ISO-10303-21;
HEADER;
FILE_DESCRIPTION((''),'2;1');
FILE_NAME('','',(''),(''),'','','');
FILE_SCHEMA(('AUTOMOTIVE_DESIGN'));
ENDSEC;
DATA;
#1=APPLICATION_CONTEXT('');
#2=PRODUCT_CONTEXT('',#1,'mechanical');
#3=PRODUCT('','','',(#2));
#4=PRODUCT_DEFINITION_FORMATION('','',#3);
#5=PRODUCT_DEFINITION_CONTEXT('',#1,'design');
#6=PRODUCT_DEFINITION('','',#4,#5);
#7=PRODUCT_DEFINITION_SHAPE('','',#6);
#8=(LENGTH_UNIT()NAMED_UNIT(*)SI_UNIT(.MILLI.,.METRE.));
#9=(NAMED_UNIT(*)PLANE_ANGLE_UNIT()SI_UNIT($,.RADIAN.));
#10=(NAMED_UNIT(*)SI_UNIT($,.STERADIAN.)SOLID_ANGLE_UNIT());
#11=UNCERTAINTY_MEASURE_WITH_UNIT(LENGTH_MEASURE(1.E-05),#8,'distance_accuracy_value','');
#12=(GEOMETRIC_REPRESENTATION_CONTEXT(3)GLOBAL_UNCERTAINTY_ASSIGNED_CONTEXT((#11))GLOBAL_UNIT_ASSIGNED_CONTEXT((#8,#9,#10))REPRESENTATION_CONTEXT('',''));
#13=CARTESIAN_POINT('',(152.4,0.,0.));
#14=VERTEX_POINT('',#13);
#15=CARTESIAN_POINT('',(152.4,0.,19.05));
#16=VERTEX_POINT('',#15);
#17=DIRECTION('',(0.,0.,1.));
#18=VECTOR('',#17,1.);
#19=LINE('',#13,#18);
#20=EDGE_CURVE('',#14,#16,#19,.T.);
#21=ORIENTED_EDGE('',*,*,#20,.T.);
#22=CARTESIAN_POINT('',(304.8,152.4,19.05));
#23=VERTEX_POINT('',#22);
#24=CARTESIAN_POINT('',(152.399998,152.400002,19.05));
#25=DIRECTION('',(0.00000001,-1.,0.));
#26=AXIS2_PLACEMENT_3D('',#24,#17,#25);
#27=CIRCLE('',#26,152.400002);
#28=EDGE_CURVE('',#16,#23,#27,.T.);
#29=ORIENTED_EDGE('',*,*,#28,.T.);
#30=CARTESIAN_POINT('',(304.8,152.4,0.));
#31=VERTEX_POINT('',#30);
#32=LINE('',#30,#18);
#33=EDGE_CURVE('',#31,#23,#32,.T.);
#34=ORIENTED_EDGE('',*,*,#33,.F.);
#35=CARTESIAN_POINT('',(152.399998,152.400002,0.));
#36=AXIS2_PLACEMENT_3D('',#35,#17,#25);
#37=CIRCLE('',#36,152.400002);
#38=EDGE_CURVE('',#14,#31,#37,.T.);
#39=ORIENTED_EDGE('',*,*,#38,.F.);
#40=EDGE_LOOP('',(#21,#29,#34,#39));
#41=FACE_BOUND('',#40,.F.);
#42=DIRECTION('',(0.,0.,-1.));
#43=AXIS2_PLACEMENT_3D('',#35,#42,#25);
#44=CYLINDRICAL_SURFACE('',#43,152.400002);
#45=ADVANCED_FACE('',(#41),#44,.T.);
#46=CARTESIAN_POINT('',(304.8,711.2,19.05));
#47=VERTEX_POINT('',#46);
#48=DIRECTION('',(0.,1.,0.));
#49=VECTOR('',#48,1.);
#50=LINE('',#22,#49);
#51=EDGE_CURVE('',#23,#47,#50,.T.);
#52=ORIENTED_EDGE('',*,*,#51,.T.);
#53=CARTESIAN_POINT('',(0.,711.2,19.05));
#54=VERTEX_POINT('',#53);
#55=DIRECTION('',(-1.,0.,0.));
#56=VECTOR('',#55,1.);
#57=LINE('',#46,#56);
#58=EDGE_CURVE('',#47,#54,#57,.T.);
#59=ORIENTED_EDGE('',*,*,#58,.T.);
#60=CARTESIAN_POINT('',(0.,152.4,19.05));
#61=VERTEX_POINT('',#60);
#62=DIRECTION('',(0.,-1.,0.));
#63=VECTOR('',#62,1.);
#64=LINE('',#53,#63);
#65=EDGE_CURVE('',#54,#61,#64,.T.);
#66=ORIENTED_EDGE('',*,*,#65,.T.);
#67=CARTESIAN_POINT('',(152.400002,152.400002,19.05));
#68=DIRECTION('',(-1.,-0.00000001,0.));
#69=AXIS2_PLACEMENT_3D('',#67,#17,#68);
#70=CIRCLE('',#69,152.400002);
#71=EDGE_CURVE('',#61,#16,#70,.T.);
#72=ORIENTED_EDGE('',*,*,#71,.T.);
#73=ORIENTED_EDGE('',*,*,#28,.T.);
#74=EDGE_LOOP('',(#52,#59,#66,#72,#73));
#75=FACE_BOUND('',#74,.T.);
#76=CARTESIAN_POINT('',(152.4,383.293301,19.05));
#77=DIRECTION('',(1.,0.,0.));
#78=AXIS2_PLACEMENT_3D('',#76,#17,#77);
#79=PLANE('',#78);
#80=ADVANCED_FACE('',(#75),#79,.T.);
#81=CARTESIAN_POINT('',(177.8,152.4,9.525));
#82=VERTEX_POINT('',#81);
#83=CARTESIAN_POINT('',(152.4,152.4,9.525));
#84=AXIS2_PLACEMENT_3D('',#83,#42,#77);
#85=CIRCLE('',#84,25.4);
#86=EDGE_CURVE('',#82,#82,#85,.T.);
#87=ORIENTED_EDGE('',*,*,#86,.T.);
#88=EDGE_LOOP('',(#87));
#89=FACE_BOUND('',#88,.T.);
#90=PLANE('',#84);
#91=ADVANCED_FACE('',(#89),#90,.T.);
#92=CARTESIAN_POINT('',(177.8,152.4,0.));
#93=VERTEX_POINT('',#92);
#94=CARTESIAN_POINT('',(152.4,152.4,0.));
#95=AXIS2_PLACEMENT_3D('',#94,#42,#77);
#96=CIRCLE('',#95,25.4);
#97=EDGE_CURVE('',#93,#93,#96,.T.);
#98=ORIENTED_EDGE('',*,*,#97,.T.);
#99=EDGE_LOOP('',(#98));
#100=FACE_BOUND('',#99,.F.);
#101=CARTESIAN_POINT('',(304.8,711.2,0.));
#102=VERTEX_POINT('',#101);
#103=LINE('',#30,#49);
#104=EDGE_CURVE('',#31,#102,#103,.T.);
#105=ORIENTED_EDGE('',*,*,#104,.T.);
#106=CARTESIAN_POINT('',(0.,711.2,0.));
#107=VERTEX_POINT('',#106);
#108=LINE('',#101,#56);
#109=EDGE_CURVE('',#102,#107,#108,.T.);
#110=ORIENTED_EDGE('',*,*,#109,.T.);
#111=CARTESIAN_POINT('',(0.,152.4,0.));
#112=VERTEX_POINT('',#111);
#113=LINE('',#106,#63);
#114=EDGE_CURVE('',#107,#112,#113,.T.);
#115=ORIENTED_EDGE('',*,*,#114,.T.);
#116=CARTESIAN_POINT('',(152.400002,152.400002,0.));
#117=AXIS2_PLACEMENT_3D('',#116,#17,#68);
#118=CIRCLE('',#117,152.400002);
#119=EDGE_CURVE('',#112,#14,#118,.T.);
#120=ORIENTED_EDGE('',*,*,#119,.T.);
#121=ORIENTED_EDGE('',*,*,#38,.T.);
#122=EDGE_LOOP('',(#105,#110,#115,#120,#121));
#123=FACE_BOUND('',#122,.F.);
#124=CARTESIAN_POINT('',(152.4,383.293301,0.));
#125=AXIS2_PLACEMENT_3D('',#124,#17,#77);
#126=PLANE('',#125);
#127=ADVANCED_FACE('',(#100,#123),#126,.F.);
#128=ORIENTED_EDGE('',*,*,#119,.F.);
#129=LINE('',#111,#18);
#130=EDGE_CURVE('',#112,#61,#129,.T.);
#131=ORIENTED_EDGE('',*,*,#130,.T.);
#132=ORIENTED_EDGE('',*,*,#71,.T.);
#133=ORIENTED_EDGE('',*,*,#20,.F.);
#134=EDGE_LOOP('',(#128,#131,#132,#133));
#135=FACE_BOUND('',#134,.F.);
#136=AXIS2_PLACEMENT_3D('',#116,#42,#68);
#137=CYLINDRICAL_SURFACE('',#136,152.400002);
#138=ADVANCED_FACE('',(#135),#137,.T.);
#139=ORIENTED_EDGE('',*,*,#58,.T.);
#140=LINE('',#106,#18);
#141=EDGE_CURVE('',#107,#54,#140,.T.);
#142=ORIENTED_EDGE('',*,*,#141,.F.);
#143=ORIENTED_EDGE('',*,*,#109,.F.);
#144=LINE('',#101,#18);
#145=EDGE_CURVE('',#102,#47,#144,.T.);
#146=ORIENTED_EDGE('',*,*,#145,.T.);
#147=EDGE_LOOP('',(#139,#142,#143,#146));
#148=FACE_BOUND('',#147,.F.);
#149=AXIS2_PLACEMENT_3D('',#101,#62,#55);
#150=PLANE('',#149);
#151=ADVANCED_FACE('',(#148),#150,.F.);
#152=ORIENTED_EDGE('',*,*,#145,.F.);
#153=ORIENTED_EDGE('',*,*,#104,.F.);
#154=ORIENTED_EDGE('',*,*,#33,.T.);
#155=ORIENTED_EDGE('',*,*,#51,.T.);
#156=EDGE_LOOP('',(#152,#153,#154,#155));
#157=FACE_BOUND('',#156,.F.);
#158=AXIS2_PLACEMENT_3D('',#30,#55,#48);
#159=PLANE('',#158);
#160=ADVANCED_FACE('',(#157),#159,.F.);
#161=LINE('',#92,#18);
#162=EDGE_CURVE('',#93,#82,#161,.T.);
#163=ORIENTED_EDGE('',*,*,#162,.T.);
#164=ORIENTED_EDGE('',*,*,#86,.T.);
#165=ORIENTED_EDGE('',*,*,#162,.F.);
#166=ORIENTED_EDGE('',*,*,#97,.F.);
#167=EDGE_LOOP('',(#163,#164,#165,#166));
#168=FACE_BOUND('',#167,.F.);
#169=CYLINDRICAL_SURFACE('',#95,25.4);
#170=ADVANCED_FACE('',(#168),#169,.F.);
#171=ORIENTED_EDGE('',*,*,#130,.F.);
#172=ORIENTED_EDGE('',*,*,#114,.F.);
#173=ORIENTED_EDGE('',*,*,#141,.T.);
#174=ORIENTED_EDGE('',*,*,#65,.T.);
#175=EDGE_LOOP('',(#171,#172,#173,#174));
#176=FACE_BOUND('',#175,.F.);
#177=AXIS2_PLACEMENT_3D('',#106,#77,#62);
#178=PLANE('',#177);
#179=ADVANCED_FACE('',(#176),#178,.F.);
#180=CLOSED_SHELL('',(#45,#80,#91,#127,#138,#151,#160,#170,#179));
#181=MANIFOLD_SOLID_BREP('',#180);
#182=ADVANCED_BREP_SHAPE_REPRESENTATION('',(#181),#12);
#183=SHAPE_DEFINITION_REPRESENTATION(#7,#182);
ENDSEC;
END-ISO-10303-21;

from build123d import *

# Parameters (mm, degrees)
F1_DEPTH = 19.05
F2_R     = 25.4
F3_DEPTH = 9.525


with BuildPart() as f1:
    # F0 (on Top) → F1 (new body)
    with BuildSketch(Plane.XY):
        with BuildLine():
            Line((0, 711.2), (0, 152.4))
            ThreePointArc((0, 152.4), (44.636927, 44.636927), (152.4, 0))
            ThreePointArc((152.4, 0), (260.163073, 44.636927), (304.8, 152.4))
            Line((304.8, 152.4), (304.8, 711.2))
            Line((304.8, 711.2), (0, 711.2))
        make_face()
    extrude(amount=F1_DEPTH)

    # F2 (on face) → F3 (cut)
    with BuildSketch(Plane(origin=(0, 0, 0), x_dir=(1, 0, 0), z_dir=(0, 0, -1))):
        with Locations((152.4, -152.4)):
            Circle(F2_R)
    extrude(amount=-F3_DEPTH, mode=Mode.SUBTRACT)


solid = f1.part
